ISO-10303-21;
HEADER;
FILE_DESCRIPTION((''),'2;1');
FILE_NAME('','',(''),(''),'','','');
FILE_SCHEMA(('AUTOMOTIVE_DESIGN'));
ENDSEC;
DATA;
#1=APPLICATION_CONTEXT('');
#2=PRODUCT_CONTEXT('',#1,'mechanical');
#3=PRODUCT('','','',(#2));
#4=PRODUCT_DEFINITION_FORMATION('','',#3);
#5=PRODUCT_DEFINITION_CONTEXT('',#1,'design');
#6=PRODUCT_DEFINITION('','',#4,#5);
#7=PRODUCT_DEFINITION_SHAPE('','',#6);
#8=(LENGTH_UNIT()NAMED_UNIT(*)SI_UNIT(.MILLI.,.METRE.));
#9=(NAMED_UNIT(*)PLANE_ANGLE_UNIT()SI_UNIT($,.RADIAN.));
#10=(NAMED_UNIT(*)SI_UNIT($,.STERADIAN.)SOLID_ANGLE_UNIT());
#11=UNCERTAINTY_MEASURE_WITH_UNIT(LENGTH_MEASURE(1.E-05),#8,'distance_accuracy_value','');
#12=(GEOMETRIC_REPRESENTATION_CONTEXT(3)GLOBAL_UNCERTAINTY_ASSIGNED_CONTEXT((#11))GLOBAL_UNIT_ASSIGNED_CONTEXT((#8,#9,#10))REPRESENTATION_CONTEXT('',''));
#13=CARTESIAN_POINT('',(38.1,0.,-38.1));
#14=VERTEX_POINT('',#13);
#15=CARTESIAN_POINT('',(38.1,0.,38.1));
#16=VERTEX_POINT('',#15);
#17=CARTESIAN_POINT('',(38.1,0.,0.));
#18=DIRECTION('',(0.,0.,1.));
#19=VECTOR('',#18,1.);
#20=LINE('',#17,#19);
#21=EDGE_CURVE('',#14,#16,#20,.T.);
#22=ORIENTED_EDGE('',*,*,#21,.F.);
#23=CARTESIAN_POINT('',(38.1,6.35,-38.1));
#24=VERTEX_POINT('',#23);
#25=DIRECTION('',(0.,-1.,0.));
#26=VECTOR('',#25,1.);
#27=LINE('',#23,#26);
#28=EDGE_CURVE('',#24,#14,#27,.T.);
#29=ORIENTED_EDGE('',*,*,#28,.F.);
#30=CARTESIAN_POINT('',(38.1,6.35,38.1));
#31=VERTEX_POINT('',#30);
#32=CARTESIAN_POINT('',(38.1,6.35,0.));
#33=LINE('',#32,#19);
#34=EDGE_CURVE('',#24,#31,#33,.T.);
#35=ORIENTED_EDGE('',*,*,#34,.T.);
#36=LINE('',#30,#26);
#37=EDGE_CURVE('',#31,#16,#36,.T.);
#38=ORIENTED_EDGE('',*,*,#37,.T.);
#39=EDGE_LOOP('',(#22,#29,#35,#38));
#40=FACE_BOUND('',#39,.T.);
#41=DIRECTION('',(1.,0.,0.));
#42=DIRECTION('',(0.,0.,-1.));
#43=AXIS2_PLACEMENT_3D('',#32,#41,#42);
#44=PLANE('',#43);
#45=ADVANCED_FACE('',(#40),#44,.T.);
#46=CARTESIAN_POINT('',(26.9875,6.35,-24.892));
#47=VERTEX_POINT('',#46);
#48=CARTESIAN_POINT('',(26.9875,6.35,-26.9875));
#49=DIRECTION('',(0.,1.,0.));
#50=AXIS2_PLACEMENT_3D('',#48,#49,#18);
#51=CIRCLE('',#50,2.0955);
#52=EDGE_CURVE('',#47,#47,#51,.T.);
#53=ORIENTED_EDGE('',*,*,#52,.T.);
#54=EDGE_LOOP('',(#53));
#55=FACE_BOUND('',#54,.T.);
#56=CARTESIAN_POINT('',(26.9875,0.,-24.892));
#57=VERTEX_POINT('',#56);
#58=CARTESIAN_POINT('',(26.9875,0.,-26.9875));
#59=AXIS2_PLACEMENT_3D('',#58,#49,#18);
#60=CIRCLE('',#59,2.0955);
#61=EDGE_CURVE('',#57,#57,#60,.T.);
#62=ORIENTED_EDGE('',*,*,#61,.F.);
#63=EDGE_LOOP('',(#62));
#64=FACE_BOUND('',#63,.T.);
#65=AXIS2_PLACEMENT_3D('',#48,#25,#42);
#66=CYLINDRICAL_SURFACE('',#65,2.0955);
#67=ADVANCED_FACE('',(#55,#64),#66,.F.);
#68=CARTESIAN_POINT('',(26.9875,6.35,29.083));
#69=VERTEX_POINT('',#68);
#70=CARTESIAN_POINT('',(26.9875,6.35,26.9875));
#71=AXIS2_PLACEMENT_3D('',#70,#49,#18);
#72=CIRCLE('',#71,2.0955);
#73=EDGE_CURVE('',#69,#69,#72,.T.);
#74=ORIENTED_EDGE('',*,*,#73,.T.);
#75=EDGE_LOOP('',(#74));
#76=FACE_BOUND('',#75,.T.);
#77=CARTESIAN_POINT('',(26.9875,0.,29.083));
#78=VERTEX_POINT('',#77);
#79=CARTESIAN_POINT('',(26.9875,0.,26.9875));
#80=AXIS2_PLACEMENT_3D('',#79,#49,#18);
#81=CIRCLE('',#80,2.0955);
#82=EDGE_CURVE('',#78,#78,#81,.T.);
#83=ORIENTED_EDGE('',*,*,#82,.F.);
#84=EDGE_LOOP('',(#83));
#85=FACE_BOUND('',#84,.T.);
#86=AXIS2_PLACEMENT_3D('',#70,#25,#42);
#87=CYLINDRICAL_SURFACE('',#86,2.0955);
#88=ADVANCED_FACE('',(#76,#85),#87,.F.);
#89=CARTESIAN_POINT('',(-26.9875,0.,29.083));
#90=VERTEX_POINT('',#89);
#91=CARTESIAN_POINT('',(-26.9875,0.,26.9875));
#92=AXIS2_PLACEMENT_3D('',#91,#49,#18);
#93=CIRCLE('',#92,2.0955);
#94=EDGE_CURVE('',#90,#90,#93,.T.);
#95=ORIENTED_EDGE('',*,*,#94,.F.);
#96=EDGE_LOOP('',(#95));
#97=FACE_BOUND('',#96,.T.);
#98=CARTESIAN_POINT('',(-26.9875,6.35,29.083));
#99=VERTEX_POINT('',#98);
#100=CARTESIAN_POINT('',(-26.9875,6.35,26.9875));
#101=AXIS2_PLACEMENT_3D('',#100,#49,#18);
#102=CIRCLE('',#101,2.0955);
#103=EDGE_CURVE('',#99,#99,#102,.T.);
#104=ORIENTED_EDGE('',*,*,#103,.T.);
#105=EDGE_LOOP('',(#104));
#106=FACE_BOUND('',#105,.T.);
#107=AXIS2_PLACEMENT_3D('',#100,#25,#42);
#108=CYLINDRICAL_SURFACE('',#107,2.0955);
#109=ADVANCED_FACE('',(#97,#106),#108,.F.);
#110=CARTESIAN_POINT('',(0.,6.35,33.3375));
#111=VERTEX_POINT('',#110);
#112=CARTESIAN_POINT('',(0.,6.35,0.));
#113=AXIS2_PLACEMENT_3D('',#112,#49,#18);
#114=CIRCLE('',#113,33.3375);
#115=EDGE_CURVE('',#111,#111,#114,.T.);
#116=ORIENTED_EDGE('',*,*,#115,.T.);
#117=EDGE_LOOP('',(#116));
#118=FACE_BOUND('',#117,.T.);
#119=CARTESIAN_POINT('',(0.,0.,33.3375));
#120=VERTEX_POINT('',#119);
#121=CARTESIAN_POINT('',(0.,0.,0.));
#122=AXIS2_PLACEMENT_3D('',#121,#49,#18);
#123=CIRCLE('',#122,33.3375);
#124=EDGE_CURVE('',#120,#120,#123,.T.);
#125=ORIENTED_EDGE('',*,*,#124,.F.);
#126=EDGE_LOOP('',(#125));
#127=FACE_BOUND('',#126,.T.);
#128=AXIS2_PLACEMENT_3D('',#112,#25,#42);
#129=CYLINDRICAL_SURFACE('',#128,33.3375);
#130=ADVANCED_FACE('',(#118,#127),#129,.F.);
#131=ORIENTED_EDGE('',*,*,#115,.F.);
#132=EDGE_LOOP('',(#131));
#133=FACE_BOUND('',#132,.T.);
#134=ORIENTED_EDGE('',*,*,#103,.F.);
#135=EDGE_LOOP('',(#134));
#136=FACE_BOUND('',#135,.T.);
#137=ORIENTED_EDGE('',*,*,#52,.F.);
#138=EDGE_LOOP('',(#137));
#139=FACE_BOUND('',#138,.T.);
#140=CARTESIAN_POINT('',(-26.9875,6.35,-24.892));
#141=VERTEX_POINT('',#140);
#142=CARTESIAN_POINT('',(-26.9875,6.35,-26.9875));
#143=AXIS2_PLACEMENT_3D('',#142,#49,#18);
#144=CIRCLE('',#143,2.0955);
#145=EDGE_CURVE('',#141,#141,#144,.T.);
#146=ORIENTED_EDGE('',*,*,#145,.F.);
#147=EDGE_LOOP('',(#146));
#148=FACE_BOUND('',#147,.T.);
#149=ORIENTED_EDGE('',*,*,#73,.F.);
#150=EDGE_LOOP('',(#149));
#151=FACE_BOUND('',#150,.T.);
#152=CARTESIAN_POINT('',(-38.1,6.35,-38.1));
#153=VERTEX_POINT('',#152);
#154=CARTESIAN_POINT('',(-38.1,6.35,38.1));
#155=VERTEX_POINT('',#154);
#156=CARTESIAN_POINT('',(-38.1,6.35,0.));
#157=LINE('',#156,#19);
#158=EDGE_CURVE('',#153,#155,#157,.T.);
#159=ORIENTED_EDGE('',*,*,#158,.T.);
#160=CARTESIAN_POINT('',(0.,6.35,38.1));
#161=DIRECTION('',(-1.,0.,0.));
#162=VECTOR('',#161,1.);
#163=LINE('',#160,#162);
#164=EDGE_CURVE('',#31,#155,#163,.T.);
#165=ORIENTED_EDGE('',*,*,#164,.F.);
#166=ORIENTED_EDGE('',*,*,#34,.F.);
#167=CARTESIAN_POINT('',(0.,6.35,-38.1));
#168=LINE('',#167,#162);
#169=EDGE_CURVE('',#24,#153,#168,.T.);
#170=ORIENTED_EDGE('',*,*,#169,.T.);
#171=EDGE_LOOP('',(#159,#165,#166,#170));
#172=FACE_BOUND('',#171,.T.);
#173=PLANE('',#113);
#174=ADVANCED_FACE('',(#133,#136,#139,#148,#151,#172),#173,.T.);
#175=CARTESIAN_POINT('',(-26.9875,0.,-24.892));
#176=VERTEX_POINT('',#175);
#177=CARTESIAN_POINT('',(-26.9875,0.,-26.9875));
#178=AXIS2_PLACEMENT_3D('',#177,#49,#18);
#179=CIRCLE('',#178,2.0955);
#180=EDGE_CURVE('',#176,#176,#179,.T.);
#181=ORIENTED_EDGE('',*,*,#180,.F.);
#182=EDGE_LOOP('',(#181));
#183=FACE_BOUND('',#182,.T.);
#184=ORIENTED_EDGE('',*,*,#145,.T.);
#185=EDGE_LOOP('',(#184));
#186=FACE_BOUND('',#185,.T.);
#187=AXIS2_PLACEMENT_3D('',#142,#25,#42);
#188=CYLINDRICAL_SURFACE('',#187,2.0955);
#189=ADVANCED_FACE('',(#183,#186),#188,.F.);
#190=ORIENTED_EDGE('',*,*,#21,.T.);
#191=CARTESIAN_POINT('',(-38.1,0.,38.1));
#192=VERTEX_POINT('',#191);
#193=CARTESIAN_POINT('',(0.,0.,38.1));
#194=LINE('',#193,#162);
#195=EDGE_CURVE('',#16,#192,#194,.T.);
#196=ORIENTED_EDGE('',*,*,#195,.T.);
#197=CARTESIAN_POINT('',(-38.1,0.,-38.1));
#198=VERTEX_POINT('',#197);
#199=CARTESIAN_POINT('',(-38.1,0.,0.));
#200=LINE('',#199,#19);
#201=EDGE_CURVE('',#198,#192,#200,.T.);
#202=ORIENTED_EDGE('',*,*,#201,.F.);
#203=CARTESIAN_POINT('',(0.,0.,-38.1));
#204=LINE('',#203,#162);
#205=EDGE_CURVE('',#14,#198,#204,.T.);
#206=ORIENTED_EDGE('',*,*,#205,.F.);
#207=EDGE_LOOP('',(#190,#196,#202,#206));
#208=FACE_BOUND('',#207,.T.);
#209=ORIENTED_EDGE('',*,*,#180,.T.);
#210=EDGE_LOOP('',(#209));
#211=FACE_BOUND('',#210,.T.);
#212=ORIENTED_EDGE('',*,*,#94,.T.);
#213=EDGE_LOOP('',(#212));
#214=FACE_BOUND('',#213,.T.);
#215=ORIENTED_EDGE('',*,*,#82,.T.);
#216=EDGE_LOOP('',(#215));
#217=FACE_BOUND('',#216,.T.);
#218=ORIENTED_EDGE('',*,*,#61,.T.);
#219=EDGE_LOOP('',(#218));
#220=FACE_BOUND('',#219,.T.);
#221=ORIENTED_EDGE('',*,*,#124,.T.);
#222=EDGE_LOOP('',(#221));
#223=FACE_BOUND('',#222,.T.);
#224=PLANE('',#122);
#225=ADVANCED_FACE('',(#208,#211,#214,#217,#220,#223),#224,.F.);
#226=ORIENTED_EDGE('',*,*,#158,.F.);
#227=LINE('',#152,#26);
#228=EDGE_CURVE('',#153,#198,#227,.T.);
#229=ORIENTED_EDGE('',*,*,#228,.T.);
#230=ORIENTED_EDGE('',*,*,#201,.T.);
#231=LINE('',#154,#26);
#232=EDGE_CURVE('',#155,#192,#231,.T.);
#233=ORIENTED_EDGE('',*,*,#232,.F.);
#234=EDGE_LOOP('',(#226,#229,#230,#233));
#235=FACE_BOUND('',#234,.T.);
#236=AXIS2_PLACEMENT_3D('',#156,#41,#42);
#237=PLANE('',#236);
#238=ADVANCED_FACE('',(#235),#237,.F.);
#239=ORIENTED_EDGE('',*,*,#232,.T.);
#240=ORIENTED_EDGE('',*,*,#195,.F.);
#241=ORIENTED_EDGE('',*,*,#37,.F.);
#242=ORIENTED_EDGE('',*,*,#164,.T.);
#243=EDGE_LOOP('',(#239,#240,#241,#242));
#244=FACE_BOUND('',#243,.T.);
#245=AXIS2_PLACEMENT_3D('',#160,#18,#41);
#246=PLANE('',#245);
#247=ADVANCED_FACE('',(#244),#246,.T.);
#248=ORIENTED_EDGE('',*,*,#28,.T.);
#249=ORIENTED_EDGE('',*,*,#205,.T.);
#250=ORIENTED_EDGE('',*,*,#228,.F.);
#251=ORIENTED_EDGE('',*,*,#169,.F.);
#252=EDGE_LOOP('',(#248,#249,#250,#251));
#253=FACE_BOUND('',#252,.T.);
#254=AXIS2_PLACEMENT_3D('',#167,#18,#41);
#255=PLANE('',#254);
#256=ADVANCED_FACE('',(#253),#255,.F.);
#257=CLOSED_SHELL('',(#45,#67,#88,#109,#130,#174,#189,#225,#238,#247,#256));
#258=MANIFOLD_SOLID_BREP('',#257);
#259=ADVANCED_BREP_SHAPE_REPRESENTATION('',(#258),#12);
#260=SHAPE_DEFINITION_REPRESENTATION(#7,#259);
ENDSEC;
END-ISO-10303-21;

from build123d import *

# Parameters (mm, degrees)
SKETCH1_W           = 76.2
SKETCH1_H           = 76.2
SKETCH1_R           = 33.3375
SKETCH1_R_2         = 2.0955
BOSS_EXTRUDE1_DEPTH = 6.35


with BuildPart() as part:
    # Sketch1 → Boss-Extrude1 (new body)
    with BuildSketch(Plane(origin=(0, 0, 0), x_dir=(1, 0, 0), z_dir=(0, 1, 0))):
        Rectangle(SKETCH1_W, SKETCH1_H)
        Circle(SKETCH1_R, mode=Mode.SUBTRACT)
        with Locations((26.9875, 26.9875)):
            Circle(SKETCH1_R_2, mode=Mode.SUBTRACT)
        with Locations((-26.9875, 26.9875)):
            Circle(SKETCH1_R_2, mode=Mode.SUBTRACT)
        with Locations((-26.9875, -26.9875)):
            Circle(SKETCH1_R_2, mode=Mode.SUBTRACT)
        with Locations((26.9875, -26.9875)):
            Circle(SKETCH1_R_2, mode=Mode.SUBTRACT)
    extrude(amount=BOSS_EXTRUDE1_DEPTH)


solid = part.part
